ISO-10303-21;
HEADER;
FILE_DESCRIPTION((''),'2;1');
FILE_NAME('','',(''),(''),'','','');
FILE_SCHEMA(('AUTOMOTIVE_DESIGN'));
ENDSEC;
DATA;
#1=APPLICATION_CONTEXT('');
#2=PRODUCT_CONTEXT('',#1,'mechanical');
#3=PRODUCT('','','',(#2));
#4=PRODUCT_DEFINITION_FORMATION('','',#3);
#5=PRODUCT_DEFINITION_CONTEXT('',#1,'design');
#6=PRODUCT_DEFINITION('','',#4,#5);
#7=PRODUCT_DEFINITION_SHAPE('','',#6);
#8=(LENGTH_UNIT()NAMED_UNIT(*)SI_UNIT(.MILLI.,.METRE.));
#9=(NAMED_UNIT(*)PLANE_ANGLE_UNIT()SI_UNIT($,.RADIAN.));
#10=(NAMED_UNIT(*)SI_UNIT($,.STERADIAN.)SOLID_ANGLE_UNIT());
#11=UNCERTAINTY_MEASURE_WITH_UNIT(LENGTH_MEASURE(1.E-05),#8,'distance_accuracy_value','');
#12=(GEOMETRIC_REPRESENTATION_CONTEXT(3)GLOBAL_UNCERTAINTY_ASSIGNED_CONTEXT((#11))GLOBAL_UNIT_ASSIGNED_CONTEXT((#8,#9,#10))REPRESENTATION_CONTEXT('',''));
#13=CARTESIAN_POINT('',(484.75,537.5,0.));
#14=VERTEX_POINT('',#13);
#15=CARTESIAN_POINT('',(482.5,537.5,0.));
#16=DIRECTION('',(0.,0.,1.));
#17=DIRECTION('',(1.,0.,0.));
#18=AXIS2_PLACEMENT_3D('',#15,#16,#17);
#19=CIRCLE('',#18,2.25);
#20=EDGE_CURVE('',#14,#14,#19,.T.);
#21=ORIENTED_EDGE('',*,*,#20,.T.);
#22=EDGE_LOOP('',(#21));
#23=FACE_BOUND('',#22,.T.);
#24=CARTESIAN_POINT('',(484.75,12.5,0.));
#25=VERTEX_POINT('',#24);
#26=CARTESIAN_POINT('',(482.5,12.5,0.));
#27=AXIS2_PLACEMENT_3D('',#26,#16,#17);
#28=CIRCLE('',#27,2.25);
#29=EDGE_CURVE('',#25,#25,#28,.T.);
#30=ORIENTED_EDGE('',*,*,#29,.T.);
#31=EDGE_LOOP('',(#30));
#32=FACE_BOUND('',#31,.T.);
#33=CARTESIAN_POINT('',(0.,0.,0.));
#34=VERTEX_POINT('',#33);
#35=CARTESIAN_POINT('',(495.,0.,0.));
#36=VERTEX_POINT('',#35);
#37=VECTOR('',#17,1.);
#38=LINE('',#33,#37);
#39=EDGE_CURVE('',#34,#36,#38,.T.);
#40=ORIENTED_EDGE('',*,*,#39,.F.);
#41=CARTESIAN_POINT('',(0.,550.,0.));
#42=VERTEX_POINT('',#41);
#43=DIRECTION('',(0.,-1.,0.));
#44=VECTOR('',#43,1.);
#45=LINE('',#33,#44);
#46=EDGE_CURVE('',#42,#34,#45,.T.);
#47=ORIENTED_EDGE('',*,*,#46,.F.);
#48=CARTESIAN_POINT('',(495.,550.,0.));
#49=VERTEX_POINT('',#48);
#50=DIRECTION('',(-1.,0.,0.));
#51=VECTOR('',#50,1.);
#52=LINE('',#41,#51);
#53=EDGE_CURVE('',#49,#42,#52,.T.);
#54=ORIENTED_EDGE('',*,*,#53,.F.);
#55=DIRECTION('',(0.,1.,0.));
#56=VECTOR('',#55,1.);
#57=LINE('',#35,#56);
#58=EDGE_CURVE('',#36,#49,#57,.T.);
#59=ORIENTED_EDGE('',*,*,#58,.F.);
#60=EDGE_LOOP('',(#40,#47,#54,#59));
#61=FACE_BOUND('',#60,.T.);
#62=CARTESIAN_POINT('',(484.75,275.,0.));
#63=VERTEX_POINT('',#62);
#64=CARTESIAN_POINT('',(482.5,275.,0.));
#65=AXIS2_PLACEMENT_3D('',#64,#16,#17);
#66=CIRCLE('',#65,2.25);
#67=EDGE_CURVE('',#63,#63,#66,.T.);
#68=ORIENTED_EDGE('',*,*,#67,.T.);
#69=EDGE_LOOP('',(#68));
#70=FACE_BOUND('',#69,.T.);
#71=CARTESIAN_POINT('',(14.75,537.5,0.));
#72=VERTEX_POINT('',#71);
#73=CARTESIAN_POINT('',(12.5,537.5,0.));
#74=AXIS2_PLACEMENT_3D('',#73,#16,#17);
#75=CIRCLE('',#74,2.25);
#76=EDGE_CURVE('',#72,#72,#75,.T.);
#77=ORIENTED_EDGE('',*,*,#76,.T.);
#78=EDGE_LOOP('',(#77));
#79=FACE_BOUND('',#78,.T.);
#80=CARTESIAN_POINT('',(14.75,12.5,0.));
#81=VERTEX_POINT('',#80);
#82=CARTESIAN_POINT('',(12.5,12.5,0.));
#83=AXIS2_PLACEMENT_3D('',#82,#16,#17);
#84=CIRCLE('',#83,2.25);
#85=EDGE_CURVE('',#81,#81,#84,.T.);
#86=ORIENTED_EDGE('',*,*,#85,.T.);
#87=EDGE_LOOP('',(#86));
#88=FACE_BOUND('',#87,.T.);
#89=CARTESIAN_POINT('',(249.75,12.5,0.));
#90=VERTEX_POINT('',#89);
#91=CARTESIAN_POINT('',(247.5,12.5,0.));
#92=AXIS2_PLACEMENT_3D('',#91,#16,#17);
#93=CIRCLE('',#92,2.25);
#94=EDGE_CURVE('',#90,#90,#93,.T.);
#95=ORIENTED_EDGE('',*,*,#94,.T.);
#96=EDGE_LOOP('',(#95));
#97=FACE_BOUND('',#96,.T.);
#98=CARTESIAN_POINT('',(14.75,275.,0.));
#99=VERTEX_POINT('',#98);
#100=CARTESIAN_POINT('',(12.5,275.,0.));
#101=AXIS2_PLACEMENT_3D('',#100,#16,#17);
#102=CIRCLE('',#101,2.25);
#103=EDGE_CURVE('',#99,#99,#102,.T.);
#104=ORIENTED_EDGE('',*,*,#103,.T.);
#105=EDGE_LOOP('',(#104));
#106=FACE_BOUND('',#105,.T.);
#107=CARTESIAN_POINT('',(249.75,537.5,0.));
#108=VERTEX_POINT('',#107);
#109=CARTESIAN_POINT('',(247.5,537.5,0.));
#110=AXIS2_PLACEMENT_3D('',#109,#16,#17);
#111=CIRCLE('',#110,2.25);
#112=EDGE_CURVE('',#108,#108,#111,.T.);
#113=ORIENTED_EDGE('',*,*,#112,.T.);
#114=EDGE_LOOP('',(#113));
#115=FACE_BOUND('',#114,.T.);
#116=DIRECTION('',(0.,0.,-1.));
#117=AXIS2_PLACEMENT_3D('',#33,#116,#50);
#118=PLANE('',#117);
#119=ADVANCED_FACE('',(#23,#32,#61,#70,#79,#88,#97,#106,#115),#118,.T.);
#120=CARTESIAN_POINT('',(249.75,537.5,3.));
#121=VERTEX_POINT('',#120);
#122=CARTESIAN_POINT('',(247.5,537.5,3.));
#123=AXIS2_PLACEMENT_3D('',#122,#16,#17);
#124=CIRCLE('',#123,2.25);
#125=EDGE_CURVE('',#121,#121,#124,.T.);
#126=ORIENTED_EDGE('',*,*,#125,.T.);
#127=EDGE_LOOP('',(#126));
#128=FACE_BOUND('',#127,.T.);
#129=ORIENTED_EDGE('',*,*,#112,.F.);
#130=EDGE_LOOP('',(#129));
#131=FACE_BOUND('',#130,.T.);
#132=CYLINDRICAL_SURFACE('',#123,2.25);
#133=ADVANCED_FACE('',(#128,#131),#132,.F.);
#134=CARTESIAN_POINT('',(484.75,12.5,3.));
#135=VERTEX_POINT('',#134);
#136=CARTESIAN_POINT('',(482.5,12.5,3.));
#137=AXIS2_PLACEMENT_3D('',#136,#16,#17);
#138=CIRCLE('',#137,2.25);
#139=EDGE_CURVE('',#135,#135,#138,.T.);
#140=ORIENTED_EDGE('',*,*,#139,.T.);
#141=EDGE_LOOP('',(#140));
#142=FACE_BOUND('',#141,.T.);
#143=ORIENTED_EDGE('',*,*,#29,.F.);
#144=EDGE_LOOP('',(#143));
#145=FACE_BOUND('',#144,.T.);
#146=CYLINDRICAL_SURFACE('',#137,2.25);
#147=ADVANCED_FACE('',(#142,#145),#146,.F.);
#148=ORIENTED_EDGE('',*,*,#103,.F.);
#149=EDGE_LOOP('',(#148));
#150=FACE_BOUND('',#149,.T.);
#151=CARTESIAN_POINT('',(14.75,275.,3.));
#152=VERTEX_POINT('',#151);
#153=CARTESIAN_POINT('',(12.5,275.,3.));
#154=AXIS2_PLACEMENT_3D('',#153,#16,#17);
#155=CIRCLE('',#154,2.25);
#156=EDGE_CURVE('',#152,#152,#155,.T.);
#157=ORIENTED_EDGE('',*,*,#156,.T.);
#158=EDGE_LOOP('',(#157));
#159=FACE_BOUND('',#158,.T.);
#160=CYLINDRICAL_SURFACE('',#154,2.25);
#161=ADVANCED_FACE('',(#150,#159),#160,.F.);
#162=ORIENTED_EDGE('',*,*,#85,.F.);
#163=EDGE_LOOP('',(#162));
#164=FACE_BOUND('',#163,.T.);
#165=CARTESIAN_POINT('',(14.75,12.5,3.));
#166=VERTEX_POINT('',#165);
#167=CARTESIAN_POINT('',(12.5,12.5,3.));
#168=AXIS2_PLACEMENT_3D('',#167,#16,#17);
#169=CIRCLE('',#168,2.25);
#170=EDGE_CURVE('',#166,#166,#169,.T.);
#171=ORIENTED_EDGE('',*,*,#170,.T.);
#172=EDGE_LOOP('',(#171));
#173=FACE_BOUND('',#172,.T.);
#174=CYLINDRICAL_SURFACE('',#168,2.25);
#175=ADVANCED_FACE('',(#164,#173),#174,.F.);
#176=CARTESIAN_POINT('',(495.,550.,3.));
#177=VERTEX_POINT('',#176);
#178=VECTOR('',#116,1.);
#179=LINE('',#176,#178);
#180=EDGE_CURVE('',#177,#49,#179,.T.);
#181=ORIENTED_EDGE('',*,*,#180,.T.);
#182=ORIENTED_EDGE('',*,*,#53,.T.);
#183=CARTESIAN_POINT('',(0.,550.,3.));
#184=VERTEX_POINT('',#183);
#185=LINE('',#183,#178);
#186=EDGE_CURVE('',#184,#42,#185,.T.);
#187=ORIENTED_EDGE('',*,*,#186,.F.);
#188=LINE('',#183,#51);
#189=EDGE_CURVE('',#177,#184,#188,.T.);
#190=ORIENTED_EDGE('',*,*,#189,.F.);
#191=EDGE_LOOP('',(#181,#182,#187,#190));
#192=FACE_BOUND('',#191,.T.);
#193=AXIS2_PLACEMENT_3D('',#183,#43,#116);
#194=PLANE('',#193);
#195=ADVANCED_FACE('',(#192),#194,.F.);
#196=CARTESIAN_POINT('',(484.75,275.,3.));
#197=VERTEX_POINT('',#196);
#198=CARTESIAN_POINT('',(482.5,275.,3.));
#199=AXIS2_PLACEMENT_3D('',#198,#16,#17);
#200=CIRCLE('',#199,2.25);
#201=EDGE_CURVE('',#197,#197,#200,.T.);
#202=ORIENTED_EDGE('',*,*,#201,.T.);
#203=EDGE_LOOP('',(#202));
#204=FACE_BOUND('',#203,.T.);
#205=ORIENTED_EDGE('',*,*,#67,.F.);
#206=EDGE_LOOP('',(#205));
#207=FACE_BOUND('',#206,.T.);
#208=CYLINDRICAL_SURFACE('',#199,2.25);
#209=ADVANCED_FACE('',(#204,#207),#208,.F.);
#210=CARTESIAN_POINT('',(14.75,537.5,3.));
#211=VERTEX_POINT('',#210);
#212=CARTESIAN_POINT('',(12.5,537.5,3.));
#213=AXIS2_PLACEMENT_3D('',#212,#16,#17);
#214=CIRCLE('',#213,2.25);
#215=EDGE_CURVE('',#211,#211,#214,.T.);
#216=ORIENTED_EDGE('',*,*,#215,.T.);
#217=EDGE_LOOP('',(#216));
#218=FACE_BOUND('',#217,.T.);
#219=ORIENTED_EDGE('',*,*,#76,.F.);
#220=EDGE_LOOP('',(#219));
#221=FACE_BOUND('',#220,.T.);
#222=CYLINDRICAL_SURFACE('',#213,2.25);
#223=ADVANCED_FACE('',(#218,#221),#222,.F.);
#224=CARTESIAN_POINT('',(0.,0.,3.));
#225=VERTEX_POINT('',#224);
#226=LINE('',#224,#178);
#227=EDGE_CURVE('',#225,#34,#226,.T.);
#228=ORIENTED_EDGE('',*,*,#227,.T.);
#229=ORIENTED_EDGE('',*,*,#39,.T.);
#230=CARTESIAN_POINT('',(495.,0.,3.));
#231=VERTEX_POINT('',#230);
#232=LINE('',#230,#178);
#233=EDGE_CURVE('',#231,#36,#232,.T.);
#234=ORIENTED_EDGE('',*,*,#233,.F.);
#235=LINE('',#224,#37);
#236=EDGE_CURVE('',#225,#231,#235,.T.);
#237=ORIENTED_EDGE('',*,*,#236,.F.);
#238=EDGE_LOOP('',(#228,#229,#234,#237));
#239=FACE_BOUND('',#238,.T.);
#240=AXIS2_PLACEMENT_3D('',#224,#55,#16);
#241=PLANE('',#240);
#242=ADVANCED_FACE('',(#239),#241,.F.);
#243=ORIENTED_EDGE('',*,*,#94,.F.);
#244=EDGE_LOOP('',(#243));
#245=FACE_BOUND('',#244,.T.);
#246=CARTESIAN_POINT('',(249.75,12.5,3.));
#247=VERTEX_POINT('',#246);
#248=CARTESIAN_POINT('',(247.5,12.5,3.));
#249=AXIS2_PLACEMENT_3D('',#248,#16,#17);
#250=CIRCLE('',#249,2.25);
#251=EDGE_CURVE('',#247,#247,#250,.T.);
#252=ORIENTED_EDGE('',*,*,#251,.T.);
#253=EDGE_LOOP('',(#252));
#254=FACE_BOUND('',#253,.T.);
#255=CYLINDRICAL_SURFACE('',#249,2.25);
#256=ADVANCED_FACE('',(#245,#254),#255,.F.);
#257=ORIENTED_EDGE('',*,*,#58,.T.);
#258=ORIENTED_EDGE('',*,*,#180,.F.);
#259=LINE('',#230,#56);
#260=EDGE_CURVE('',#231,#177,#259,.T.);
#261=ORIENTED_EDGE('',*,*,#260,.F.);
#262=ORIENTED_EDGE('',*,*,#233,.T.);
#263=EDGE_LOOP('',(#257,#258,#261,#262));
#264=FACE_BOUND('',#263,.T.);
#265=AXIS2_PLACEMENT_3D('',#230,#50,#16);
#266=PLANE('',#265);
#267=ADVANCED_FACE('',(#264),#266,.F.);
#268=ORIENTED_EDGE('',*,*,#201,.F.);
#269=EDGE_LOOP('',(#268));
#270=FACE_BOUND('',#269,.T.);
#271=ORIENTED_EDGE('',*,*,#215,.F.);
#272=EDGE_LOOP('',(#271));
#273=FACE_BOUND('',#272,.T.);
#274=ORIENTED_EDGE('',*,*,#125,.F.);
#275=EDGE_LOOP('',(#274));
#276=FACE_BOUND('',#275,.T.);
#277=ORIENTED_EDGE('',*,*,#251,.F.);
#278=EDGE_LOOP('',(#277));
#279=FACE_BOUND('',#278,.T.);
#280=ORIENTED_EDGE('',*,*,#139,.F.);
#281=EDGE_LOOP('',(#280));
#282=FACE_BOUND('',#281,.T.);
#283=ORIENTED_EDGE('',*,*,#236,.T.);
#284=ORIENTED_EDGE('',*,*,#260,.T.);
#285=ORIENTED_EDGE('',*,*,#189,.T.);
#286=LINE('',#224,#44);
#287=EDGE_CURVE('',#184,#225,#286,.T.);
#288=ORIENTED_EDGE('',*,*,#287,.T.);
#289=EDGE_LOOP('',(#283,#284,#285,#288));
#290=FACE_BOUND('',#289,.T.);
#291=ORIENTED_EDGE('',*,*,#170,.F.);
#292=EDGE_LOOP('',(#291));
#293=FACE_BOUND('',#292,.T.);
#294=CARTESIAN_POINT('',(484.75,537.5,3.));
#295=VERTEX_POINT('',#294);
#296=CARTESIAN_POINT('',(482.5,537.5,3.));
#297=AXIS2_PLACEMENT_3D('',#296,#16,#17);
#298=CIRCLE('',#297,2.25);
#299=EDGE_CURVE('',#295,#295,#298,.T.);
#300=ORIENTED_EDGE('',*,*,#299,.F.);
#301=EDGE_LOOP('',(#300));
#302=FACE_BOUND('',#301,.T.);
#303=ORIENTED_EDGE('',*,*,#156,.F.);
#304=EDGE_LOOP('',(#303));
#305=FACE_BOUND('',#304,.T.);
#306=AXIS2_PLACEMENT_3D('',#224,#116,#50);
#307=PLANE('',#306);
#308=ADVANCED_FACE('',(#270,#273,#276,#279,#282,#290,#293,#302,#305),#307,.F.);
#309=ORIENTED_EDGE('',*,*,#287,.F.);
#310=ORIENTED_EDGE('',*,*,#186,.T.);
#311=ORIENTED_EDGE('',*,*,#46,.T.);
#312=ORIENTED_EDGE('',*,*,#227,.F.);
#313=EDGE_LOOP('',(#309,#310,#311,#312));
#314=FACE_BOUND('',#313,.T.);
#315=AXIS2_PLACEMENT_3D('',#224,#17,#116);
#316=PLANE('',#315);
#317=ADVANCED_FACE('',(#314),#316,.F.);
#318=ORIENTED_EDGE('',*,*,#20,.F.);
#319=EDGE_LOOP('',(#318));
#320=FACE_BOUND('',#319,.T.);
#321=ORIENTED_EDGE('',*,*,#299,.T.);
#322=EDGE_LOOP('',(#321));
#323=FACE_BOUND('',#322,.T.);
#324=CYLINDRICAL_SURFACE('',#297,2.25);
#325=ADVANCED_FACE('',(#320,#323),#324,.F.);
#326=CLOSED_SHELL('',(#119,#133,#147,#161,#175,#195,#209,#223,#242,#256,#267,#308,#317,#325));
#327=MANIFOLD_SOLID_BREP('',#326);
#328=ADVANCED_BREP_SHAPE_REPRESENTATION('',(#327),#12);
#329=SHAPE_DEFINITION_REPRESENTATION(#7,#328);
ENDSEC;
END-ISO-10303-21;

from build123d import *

# Parameters (mm, degrees)
SKETCH1_W            = 495
SKETCH1_H            = 550
BOSS_EXTRUDE1_DEPTH  = 3
M4_CLEARANCE_HOLE1_D = 4.5


with BuildPart() as part:
    # Sketch1 → Boss-Extrude1 (new body)
    with BuildSketch(Plane.XY):
        with Locations((247.5, 275)):
            Rectangle(SKETCH1_W, SKETCH1_H)
    extrude(amount=BOSS_EXTRUDE1_DEPTH)

    # M4 Clearance Hole1 (through all)
    with Locations(Plane.XY.offset(3)):
        with Locations((12.5, 275), (12.5, 537.5), (12.5, 12.5), (247.5, 12.5), (482.5, 12.5), (482.5, 275), (482.5, 537.5), (247.5, 537.5)):
            Hole(M4_CLEARANCE_HOLE1_D / 2)


solid = part.part
